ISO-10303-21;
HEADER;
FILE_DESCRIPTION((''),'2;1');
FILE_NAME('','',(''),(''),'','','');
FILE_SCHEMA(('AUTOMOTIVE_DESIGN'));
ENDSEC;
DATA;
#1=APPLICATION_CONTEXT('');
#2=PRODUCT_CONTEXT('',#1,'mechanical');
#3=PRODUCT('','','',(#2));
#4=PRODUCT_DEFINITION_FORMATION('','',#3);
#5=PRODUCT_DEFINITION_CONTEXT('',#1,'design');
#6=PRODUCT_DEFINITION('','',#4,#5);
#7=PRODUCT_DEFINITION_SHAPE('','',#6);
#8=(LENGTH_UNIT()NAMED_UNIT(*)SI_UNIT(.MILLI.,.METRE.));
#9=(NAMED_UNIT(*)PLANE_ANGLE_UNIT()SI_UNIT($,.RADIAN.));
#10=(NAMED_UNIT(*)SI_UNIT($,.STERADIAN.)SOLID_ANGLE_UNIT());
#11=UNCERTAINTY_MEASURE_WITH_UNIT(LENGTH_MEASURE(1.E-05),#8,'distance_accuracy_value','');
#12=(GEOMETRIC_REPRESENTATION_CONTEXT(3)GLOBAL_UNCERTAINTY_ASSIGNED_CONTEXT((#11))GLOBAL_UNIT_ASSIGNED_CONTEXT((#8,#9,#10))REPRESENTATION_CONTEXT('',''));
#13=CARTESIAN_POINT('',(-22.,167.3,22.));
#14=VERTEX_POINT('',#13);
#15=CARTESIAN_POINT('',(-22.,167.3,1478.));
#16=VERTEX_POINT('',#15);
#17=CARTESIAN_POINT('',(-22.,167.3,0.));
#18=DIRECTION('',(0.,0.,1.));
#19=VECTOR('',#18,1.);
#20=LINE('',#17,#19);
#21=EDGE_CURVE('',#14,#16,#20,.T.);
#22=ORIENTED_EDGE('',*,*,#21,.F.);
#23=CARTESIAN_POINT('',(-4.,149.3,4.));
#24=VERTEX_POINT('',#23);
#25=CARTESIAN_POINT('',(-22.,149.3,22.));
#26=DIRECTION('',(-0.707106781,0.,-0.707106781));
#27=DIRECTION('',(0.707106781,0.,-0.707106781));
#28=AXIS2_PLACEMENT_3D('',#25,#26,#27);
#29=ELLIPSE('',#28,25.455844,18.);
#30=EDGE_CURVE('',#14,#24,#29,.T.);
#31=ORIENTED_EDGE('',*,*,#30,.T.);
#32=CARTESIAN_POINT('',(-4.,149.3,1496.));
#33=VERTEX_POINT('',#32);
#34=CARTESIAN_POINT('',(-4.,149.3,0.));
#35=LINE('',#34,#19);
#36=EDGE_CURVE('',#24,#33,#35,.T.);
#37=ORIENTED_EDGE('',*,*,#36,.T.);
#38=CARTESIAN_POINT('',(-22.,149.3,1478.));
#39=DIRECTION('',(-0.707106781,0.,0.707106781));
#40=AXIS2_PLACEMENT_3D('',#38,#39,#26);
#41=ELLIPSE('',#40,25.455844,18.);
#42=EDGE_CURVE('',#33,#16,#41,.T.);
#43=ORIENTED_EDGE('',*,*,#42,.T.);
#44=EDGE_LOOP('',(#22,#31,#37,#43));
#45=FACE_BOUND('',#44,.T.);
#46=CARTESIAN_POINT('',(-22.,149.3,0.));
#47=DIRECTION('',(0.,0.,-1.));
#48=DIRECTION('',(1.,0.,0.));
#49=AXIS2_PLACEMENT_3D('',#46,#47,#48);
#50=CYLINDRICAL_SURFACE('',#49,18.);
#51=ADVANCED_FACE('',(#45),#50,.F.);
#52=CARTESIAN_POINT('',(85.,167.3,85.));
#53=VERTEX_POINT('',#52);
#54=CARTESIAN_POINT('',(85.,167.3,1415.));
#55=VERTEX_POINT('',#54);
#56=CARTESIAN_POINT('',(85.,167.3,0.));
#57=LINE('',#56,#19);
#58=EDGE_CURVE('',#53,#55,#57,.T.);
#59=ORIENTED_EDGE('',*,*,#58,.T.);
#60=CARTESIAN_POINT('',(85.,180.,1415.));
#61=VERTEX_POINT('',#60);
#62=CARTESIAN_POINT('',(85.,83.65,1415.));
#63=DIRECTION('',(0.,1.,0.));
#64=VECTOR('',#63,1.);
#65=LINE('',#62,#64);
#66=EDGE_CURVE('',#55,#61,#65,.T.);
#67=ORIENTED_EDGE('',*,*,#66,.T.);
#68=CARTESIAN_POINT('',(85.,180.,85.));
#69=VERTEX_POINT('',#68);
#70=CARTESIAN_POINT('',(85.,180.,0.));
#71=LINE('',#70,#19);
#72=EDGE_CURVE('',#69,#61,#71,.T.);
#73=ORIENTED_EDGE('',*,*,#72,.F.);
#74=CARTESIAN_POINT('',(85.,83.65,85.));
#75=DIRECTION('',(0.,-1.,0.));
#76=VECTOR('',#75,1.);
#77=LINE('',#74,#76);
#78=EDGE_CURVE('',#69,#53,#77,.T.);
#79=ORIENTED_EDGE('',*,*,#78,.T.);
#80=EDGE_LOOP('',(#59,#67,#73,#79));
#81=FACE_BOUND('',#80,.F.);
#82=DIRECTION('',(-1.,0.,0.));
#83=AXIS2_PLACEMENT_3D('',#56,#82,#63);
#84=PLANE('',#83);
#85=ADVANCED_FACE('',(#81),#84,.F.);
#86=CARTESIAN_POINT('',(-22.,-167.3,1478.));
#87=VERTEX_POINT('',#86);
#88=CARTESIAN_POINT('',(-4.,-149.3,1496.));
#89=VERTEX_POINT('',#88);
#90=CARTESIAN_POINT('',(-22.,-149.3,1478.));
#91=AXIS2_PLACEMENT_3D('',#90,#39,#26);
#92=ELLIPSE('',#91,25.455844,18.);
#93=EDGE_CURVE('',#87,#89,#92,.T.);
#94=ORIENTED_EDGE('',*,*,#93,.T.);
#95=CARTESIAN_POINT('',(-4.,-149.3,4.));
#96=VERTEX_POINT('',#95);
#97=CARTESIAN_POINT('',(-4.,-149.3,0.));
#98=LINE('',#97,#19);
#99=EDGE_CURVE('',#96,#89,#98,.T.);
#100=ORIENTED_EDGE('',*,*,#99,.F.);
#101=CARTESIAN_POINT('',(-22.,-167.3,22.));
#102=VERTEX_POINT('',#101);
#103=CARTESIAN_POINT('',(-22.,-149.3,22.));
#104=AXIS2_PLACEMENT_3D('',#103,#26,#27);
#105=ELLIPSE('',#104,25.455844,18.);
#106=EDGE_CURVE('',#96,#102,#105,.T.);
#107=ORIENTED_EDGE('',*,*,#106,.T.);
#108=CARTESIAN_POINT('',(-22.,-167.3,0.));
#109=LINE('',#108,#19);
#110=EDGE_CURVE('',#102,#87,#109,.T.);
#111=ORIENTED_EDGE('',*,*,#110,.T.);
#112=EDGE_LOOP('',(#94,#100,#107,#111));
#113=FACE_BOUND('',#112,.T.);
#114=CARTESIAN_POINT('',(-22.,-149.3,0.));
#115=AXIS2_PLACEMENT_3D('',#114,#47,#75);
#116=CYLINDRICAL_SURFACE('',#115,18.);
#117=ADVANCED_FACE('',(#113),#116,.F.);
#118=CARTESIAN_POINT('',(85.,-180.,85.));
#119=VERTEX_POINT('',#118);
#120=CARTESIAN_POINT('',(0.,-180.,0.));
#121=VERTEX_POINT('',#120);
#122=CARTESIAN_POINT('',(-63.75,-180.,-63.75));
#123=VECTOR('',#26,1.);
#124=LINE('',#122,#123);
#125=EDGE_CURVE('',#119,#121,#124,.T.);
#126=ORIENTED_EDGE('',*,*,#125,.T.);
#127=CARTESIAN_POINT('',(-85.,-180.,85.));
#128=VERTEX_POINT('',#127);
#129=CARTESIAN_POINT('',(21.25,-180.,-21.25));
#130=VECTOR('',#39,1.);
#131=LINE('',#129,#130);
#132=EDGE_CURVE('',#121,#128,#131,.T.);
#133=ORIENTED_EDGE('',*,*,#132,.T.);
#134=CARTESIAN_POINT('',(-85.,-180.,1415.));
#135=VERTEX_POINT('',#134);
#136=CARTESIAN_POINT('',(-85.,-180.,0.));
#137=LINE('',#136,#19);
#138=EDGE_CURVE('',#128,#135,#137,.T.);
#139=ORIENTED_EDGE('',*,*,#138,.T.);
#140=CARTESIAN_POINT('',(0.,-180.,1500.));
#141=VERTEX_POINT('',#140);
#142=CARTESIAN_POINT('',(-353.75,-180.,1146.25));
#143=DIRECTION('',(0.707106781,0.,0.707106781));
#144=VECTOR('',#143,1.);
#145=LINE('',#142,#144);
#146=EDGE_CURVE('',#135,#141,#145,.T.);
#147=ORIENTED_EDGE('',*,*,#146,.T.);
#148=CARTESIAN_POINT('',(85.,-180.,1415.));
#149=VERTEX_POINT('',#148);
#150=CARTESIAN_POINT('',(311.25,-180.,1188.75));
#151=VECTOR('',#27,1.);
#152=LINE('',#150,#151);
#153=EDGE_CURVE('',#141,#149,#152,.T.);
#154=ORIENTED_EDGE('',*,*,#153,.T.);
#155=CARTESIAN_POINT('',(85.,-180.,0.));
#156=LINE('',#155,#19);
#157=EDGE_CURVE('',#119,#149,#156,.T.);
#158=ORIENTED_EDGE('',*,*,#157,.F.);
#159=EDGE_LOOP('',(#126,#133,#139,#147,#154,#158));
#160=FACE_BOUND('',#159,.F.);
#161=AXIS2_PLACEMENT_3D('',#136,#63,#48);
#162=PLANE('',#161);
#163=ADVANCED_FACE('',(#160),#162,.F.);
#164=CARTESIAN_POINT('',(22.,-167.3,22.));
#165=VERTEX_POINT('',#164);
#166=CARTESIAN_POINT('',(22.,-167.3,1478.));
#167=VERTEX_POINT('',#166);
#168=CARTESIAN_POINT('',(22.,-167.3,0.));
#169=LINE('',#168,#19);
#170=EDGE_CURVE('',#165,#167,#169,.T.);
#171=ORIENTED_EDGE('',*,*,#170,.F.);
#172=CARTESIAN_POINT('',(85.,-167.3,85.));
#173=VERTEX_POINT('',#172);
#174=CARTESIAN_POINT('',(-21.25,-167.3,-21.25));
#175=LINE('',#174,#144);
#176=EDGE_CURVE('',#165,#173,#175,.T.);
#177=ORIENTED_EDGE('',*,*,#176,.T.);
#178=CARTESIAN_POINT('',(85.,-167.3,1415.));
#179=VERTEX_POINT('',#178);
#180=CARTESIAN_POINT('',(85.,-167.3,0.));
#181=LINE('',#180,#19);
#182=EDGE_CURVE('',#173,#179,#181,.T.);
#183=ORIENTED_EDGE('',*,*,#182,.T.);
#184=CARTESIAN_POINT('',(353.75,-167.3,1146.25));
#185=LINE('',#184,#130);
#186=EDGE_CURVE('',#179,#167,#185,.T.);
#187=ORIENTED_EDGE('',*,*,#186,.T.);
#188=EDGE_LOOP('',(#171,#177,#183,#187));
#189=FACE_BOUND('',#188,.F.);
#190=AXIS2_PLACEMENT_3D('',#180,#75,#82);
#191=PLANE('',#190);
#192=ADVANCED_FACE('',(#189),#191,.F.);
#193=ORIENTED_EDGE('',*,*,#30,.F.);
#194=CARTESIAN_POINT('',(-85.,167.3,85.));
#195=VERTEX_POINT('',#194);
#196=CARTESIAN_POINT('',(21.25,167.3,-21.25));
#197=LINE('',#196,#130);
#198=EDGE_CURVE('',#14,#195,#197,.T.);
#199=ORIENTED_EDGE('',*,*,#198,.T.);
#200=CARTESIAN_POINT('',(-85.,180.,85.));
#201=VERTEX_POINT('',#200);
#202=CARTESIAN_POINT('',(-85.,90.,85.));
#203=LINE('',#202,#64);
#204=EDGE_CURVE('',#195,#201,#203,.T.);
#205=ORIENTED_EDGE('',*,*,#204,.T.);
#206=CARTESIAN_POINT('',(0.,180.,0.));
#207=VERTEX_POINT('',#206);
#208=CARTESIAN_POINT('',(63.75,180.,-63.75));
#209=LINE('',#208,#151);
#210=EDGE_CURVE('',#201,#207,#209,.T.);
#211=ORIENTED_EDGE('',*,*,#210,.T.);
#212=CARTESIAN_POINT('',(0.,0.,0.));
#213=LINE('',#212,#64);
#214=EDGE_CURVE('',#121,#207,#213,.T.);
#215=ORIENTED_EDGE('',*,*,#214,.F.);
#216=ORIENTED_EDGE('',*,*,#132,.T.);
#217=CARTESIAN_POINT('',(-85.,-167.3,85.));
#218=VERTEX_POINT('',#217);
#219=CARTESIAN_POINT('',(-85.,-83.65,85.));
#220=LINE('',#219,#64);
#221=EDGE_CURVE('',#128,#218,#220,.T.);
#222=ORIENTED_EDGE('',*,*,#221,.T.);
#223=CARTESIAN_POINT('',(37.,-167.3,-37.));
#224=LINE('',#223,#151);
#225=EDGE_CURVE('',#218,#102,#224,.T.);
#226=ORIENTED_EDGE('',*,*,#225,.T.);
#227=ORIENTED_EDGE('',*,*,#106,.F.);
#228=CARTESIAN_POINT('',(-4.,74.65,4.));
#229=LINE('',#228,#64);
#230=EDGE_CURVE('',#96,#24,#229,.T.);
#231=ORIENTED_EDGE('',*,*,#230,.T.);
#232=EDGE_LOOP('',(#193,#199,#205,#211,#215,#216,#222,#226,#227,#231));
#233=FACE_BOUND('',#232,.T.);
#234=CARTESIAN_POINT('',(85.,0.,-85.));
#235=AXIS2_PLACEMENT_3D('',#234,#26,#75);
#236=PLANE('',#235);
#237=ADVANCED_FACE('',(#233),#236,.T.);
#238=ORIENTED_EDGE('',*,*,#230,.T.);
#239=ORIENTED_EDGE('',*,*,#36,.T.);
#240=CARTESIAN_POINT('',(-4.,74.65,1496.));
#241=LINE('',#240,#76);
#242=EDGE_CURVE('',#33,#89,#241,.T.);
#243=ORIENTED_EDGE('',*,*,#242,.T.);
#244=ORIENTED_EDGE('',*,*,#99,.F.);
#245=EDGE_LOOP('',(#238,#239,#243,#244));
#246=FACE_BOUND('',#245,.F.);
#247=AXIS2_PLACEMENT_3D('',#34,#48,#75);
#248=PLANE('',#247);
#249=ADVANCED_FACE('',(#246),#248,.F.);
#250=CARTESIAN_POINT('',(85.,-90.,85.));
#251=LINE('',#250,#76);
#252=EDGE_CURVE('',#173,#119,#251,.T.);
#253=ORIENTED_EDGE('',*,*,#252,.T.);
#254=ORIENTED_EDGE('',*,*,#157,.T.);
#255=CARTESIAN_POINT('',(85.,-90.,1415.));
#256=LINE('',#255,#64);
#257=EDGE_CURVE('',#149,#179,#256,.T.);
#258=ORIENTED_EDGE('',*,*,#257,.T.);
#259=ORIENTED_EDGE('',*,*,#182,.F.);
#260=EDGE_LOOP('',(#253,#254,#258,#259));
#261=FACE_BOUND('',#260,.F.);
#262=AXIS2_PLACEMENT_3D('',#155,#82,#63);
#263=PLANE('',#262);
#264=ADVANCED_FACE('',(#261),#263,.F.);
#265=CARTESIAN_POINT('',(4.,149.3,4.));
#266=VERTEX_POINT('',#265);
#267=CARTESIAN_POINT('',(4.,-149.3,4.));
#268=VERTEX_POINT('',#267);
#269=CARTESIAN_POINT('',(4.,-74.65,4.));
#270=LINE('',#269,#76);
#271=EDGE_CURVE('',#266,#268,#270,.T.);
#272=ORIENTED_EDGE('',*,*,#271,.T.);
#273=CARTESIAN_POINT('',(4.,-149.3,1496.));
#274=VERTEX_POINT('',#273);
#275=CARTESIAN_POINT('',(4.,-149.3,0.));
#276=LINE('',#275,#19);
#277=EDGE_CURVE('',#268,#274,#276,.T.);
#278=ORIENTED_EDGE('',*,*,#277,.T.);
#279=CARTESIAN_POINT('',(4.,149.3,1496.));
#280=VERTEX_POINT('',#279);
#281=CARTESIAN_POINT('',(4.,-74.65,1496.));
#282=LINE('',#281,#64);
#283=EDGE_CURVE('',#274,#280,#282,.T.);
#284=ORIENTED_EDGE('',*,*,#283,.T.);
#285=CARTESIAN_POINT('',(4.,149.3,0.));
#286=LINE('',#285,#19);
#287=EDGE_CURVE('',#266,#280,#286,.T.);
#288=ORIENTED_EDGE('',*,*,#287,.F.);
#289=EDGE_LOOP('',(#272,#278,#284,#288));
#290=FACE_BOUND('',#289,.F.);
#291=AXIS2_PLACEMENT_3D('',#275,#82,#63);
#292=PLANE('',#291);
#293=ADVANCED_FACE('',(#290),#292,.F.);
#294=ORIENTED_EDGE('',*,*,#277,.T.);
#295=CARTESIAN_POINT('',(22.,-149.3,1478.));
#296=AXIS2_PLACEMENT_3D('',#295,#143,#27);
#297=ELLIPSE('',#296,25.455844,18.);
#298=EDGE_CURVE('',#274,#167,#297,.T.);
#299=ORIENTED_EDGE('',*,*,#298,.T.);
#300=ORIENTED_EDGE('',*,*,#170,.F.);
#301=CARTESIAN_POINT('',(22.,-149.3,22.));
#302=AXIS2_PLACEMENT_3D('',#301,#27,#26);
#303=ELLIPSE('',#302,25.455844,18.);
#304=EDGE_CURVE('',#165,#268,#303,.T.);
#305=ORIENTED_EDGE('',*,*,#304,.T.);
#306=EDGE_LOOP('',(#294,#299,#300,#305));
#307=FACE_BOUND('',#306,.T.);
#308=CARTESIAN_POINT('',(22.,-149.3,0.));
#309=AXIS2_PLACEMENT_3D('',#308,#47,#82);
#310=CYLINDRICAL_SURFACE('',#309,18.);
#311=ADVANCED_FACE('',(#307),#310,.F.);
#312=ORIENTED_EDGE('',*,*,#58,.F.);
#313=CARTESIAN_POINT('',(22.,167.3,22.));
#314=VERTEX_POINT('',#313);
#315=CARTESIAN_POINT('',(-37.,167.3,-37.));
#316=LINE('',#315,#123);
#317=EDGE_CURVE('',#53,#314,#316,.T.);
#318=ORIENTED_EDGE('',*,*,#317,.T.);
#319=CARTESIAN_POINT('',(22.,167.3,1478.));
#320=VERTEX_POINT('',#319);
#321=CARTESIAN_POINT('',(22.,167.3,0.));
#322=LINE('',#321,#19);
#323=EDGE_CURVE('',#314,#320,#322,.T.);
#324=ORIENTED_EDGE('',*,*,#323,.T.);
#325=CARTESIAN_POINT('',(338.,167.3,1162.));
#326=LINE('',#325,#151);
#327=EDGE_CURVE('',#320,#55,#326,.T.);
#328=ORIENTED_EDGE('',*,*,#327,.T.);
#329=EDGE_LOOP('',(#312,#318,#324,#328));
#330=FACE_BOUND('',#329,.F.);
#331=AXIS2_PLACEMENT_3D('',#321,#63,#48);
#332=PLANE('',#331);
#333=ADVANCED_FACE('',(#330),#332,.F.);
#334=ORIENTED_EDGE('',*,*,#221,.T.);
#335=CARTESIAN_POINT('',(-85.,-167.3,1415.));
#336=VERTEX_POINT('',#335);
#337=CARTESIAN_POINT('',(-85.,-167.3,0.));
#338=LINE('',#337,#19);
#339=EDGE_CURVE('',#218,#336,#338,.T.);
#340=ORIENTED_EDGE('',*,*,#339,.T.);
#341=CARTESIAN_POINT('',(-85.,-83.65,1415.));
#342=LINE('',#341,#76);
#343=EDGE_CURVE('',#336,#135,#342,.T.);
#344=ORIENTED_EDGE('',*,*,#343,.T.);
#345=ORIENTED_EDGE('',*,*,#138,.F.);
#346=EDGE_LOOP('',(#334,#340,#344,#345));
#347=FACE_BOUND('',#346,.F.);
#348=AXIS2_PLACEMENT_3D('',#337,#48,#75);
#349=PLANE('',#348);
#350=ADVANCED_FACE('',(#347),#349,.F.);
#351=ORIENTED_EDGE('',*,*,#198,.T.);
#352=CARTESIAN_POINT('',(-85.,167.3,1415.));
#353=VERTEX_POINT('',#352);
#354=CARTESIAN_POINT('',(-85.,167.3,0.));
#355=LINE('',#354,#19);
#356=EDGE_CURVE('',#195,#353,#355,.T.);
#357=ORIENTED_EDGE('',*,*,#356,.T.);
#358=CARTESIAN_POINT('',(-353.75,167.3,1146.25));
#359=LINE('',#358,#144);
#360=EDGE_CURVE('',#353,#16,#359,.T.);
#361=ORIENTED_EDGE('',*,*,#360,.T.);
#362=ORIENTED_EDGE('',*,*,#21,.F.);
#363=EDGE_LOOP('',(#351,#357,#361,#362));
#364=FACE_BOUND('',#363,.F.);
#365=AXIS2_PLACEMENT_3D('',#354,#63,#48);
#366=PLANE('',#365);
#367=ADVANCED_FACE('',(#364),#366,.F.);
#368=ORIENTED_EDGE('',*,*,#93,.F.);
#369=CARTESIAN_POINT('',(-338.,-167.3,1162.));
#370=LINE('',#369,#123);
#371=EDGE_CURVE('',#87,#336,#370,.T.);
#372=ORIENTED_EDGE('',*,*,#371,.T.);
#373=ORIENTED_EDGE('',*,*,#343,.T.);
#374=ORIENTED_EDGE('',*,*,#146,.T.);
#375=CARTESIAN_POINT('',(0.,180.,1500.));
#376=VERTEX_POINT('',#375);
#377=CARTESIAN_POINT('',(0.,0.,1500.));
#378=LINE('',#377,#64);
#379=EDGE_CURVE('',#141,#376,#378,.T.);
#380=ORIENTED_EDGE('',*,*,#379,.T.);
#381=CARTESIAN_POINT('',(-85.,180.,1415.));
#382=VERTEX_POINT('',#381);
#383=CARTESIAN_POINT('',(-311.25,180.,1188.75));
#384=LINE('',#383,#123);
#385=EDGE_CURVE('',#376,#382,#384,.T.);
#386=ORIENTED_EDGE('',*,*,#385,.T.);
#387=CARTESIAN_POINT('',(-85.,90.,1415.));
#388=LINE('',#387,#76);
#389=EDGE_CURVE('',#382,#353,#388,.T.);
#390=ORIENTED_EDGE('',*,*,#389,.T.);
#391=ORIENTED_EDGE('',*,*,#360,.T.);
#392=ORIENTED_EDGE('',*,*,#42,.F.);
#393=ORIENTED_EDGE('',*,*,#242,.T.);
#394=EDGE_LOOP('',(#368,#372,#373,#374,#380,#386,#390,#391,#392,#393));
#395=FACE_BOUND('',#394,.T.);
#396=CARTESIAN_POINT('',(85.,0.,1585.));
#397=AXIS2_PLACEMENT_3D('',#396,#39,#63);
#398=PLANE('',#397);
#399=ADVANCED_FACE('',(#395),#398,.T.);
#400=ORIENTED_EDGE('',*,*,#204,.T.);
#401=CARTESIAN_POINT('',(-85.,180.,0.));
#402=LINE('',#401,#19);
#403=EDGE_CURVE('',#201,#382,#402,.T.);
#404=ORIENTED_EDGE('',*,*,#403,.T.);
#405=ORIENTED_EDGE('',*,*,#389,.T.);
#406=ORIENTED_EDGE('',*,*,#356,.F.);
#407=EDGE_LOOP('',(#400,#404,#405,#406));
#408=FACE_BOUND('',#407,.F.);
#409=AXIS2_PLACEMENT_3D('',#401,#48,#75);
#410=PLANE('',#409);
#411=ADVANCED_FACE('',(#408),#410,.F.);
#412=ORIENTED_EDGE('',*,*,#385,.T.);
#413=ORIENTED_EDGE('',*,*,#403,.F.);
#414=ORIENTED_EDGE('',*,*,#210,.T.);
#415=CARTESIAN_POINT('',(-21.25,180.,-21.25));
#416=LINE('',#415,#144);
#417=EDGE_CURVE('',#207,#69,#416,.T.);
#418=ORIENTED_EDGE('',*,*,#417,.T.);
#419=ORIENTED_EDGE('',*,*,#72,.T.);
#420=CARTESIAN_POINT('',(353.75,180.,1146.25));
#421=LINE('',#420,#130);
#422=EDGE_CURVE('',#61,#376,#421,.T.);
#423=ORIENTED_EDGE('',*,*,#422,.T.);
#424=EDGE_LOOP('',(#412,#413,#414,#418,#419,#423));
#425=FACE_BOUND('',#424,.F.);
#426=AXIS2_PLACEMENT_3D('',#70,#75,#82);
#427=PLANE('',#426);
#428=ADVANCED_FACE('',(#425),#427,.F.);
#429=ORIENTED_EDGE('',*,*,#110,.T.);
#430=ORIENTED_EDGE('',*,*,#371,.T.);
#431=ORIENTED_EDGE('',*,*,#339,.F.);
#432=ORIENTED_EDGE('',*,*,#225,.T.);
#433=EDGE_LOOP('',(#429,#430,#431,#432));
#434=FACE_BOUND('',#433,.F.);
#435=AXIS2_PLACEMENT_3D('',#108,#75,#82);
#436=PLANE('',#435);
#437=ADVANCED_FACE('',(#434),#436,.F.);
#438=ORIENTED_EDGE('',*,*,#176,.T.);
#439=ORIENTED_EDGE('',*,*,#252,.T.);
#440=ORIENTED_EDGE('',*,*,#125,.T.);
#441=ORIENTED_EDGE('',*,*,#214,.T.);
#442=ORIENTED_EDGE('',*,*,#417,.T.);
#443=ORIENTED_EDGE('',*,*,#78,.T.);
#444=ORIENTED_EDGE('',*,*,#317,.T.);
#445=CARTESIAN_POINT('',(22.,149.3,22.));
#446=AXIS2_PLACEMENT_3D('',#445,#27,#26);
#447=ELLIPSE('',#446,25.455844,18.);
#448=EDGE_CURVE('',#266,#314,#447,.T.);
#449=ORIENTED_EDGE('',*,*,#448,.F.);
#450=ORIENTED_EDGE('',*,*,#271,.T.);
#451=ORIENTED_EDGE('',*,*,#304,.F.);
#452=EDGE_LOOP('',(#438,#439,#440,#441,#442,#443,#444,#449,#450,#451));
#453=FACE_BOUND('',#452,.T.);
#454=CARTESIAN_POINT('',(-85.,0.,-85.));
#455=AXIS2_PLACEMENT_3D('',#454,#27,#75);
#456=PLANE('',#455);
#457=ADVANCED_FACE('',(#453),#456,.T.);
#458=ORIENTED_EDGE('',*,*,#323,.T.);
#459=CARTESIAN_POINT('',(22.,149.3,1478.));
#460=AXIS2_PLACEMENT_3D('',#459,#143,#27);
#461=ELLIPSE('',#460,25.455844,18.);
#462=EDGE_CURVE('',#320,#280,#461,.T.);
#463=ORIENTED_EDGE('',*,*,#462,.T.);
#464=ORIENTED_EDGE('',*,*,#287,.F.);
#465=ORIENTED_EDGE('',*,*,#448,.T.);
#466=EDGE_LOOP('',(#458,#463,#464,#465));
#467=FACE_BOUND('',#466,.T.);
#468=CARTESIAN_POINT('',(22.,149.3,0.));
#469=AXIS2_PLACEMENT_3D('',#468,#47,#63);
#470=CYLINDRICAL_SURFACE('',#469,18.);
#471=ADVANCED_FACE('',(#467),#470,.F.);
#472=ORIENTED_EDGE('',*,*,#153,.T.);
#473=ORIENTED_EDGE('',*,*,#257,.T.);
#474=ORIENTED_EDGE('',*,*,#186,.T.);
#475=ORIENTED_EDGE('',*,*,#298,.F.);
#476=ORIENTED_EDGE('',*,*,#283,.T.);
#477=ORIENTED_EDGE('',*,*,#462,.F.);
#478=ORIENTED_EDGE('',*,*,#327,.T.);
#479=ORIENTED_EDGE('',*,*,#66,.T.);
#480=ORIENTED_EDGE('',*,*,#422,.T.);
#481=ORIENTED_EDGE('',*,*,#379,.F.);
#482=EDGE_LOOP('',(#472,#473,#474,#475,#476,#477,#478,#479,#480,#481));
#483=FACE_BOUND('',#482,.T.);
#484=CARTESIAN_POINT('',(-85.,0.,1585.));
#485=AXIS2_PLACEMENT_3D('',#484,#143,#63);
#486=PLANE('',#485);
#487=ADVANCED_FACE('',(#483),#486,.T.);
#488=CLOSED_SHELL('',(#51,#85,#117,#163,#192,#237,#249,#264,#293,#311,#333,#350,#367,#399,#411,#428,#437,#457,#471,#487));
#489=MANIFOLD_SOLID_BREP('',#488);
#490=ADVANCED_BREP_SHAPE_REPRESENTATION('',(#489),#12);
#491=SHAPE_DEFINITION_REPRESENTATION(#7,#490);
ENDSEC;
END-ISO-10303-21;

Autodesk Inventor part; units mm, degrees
ref_plane "Start Plane" through (0, 0, 0) normal (0, 0, 1) x (1, 0, 0)
ref_plane "End Plane" through (0, 0, 1500) normal (0, 0, 1) x (1, 0, 0)
sketch "Sketch" plane through (0, 0, 0) normal (0, 0, 1) x (1, 0, 0)
  line L0 (-85, 167.3) -> (-22, 167.3)
  line L1 (-85, 180) -> (-85, 167.3)
  line L2 (85, 180) -> (-85, 180)
  line L3 (85, 167.3) -> (85, 180)
  line L4 (22, 167.3) -> (85, 167.3)
  line L5 (4, -149.3) -> (4, 149.3)
  line L6 (85, -167.3) -> (22, -167.3)
  line L7 (85, -180) -> (85, -167.3)
  line L8 (-85, -167.3) -> (-85, -180)
  line L9 (-22, -167.3) -> (-85, -167.3)
  line L10 (-4, 149.3) -> (-4, -149.3)
  line L11 (0, -252) -> (0, 252) construction
  line L12 (-4, -167.3) -> (4, -167.3) construction
  arc A0 (-22, -167.3) -> (-4, -149.3) centre (-22, -149.3) ccw
  arc A1 (-4, 149.3) -> (-22, 167.3) centre (-22, 149.3) ccw
  arc A2 (22, 167.3) -> (4, 149.3) centre (22, 149.3) ccw
  arc A3 (4, -149.3) -> (22, -167.3) centre (22, -149.3) ccw
  line L13 (-119, 0) -> (119, 0) construction
  line L14 (-85, -180) -> (85, -180)
  point P0 (-4, 167.3)
  point P1 (4, 167.3)
  point P2 (0, 0)
  point P3 (0, -167.3)
  point P4 (0, 0)
  dimension "d1" = 360
  dimension "d3" = 12.7
  dimension "d5" = 8
  dimension "d7" = 170
  dimension "d13" = 18
  dimension "d14" = 180
  dimension "d15" = 85
extrude "Body" add sketch "Sketch" along normal up to surface (1500 mm away) from surface at 0
sketch "Sketch3" plane through (0, 0, 0) normal (0, 0, 1) x (1, 0, 0)
  line L0 (0, 0) -> (10, 0)
ref_plane "Work Plane3" through (0, 0, 0) normal (0, -1, 0) x (1, 0, 0)
ref_plane "Work Plane4" through (-85, 0, 1585) normal (0.7071, 0, 0.7071) x (0.7071, 0, -0.7071)
split "Split1" plane through (-85, 0, 1585) removes the side toward (0.7071, 0, 0.7071)
ref_plane "Work Plane5" through (85, 0, 1585) normal (-0.7071, 0, 0.7071) x (0.7071, 0, 0.7071)
split "Split2" plane through (85, 0, 1585) removes the side toward (-0.7071, 0, 0.7071)
ref_plane "Work Plane6" through (-85, 0, -85) normal (0.7071, 0, -0.7071) x (-0.7071, 0, -0.7071)
split "Split3" plane through (-85, 0, -85) removes the side toward (0.7071, 0, -0.7071)
ref_plane "Work Plane7" through (85, 0, -85) normal (-0.7071, 0, -0.7071) x (-0.7071, 0, 0.7071)
split "Split4" plane through (85, 0, -85) removes the side toward (-0.7071, 0, -0.7071)
sketch "Sketch4" plane through (0, 0, 0) normal (0, -1, 0) x (1, 0, 0)
  line L0 (-2, 0) -> (12, 0) projected
  line L1 (-2, 1500) -> (12, 1500) projected
  dimension "d19" = 1500
equation "\"d1\" = ParH"
equation "\"d3\" = t2"
equation "\"d5\" = t1"
equation "\"d7\" = b"
equation "\"d13\" = R1"
equation "\"d14\" = 0.5 * d1"
equation "\"d15\" = 0.5 * d7"
equation "\"d8\" = G_L"
equation "\"b\" = 170"
equation "\"ParH\" = 360"
equation "\"R1\" = 18"
equation "\"G_L\" = d19"
equation "\"t1\" = 8"
equation "\"t2\" = 12.7"
equation "\"G_OFFSET_START\" = 0"
equation "\"G_OFFSET_END\" = 0"
properties part number "DIN 1025 - IPE 360-1500" material "Steel, Mild"
